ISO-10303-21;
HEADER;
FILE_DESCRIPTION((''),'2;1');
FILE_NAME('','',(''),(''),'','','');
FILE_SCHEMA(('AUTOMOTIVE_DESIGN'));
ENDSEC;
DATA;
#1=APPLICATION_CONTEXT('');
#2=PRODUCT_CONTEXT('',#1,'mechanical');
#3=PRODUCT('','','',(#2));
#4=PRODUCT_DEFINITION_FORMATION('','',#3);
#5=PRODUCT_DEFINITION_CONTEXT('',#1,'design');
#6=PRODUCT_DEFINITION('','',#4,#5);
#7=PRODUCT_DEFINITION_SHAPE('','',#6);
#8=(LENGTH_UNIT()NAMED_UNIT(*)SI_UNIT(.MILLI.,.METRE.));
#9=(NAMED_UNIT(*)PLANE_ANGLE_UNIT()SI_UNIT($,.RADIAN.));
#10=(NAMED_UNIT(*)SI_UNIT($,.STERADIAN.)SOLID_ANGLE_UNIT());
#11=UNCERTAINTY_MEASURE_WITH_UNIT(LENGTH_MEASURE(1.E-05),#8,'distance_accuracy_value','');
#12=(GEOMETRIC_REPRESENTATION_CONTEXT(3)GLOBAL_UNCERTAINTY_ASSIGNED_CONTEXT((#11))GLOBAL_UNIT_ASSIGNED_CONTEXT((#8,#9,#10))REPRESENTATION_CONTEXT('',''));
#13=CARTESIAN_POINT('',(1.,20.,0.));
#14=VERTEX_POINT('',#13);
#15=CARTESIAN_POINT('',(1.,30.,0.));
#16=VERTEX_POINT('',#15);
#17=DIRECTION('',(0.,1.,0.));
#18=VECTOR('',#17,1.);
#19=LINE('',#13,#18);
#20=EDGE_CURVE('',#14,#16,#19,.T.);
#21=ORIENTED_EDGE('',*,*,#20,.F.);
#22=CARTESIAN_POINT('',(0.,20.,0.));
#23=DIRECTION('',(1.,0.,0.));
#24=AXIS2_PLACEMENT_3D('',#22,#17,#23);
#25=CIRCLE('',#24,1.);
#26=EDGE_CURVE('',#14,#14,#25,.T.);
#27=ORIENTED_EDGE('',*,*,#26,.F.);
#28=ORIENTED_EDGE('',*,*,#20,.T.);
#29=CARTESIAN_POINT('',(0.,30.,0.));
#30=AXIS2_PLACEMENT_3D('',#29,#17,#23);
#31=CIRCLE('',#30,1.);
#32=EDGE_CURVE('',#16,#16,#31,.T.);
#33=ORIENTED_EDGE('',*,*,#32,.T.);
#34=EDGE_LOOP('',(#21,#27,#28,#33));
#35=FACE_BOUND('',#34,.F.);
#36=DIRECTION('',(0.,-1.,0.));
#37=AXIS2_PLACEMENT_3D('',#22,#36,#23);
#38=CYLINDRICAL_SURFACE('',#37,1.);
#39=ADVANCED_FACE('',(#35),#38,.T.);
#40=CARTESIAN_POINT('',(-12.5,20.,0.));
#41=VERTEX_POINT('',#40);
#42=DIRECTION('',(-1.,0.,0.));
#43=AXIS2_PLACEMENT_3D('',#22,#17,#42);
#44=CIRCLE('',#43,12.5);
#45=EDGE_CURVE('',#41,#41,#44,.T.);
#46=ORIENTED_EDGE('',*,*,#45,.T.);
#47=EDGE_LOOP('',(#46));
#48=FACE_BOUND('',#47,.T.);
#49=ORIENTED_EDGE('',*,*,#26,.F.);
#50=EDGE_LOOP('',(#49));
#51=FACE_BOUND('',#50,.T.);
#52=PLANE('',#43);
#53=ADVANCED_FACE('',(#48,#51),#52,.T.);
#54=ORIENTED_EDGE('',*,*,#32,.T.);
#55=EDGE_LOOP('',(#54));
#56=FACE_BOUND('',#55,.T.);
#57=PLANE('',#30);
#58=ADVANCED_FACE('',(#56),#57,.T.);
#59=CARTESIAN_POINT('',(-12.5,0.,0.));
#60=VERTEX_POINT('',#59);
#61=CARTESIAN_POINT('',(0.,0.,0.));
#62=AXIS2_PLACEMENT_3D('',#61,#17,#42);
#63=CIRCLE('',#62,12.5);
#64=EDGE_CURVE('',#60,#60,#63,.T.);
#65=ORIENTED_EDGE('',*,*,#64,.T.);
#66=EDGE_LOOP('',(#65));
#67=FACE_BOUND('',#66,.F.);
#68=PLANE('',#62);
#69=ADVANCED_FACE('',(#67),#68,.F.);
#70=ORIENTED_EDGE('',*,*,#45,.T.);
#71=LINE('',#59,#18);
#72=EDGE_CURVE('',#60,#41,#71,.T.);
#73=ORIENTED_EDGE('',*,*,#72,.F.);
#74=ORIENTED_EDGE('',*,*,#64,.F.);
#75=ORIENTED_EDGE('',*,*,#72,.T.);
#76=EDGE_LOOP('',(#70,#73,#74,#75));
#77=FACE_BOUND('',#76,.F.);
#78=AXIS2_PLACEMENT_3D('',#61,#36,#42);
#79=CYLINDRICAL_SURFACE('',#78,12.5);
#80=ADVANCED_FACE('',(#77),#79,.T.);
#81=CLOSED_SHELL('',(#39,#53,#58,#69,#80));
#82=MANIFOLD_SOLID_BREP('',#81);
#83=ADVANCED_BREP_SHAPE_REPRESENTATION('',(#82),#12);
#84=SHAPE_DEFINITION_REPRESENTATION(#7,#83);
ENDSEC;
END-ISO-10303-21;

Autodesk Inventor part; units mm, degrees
ref_plane "YZ Plane" through (0, 0, 0) normal (1, 0, 0) x (0, 1, 0)
ref_plane "XZ Plane" through (0, 0, 0) normal (0, 1, 0) x (-1, 0, 0)
ref_plane "XY Plane" through (0, 0, 0) normal (0, 0, 1) x (1, 0, 0)
sketch "Sketch5" plane through (0, 0, 0) normal (0, 1, 0) x (-1, 0, 0)
  circle A0 centre (0, 0) radius 12.5
  dimension "d14" = 25
extrude "Extrusion3" add sketch "Sketch5" along normal blind 20
sketch "Sketch6" plane through (0, 20, 0) normal (0, 1, 0) x (1, 0, 0)
  circle A0 centre (0, 0) radius 1
  dimension "d18" = 2
extrude "Extrusion4" add sketch "Sketch6" along normal blind 10
properties part number "silnik"
